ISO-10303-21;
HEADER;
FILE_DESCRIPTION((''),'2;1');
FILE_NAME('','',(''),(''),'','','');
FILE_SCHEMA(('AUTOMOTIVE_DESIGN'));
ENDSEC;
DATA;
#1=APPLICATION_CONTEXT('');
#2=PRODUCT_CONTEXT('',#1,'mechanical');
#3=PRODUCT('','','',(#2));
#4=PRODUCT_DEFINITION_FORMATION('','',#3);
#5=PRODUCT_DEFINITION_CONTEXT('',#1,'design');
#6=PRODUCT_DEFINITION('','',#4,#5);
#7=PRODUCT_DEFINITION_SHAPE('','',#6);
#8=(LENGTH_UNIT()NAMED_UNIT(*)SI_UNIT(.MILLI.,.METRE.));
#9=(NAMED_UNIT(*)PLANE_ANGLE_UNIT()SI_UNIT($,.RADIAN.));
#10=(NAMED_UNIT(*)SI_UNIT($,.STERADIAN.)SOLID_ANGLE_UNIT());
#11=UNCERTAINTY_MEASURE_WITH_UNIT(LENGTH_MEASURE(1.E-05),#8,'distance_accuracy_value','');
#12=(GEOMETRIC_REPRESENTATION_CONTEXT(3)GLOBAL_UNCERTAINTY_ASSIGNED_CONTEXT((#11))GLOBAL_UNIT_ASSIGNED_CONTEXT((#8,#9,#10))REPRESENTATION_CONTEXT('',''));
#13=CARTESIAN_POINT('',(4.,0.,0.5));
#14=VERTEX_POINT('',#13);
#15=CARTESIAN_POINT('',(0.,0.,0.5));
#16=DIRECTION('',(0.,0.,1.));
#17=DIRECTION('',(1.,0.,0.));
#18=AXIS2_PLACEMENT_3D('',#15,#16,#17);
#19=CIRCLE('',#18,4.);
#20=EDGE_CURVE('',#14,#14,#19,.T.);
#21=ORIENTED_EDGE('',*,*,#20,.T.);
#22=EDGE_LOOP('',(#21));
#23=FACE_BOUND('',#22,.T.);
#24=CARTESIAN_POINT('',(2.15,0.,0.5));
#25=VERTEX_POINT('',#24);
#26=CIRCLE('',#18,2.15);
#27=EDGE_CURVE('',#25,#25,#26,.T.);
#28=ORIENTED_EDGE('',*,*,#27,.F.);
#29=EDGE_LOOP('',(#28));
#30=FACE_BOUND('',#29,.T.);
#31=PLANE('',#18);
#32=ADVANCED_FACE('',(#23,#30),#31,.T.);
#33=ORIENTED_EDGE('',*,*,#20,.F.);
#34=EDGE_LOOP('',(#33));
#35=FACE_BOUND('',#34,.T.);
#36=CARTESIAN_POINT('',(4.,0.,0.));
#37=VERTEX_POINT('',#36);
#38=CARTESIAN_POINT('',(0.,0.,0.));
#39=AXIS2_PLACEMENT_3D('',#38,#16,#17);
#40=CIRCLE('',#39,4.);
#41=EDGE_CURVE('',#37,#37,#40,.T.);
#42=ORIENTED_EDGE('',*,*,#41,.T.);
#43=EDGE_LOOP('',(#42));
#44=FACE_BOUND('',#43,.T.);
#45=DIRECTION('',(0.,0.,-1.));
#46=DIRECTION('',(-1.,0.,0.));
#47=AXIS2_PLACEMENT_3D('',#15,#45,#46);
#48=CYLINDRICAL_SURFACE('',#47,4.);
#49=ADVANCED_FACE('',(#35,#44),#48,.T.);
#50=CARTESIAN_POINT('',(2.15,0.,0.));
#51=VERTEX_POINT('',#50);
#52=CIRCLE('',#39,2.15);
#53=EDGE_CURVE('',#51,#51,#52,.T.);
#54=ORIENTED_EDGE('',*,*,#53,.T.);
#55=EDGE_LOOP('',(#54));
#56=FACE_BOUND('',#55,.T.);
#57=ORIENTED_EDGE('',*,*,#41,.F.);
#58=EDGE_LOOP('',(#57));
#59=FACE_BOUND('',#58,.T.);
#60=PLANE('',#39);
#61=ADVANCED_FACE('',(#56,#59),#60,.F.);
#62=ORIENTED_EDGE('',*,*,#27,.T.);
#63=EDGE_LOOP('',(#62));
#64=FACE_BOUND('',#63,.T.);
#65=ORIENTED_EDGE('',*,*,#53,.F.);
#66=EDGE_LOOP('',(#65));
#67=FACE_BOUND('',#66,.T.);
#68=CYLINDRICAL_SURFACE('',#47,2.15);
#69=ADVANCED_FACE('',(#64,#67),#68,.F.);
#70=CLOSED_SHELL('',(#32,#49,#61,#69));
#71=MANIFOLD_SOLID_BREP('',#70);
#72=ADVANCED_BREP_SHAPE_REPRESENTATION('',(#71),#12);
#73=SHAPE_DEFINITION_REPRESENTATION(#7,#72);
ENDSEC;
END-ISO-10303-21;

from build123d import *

# Parameters (mm, degrees)
SKETCH_1_R      = 4
SKETCH_1_R_2    = 2.15
EXTRUDE_1_DEPTH = 0.5


with BuildPart() as part:
    # Эскиз1 → Бобышка-Вытянуть1 (new body)
    with BuildSketch(Plane.XY):
        Circle(SKETCH_1_R)
        Circle(SKETCH_1_R_2, mode=Mode.SUBTRACT)
    extrude(amount=EXTRUDE_1_DEPTH)


solid = part.part
